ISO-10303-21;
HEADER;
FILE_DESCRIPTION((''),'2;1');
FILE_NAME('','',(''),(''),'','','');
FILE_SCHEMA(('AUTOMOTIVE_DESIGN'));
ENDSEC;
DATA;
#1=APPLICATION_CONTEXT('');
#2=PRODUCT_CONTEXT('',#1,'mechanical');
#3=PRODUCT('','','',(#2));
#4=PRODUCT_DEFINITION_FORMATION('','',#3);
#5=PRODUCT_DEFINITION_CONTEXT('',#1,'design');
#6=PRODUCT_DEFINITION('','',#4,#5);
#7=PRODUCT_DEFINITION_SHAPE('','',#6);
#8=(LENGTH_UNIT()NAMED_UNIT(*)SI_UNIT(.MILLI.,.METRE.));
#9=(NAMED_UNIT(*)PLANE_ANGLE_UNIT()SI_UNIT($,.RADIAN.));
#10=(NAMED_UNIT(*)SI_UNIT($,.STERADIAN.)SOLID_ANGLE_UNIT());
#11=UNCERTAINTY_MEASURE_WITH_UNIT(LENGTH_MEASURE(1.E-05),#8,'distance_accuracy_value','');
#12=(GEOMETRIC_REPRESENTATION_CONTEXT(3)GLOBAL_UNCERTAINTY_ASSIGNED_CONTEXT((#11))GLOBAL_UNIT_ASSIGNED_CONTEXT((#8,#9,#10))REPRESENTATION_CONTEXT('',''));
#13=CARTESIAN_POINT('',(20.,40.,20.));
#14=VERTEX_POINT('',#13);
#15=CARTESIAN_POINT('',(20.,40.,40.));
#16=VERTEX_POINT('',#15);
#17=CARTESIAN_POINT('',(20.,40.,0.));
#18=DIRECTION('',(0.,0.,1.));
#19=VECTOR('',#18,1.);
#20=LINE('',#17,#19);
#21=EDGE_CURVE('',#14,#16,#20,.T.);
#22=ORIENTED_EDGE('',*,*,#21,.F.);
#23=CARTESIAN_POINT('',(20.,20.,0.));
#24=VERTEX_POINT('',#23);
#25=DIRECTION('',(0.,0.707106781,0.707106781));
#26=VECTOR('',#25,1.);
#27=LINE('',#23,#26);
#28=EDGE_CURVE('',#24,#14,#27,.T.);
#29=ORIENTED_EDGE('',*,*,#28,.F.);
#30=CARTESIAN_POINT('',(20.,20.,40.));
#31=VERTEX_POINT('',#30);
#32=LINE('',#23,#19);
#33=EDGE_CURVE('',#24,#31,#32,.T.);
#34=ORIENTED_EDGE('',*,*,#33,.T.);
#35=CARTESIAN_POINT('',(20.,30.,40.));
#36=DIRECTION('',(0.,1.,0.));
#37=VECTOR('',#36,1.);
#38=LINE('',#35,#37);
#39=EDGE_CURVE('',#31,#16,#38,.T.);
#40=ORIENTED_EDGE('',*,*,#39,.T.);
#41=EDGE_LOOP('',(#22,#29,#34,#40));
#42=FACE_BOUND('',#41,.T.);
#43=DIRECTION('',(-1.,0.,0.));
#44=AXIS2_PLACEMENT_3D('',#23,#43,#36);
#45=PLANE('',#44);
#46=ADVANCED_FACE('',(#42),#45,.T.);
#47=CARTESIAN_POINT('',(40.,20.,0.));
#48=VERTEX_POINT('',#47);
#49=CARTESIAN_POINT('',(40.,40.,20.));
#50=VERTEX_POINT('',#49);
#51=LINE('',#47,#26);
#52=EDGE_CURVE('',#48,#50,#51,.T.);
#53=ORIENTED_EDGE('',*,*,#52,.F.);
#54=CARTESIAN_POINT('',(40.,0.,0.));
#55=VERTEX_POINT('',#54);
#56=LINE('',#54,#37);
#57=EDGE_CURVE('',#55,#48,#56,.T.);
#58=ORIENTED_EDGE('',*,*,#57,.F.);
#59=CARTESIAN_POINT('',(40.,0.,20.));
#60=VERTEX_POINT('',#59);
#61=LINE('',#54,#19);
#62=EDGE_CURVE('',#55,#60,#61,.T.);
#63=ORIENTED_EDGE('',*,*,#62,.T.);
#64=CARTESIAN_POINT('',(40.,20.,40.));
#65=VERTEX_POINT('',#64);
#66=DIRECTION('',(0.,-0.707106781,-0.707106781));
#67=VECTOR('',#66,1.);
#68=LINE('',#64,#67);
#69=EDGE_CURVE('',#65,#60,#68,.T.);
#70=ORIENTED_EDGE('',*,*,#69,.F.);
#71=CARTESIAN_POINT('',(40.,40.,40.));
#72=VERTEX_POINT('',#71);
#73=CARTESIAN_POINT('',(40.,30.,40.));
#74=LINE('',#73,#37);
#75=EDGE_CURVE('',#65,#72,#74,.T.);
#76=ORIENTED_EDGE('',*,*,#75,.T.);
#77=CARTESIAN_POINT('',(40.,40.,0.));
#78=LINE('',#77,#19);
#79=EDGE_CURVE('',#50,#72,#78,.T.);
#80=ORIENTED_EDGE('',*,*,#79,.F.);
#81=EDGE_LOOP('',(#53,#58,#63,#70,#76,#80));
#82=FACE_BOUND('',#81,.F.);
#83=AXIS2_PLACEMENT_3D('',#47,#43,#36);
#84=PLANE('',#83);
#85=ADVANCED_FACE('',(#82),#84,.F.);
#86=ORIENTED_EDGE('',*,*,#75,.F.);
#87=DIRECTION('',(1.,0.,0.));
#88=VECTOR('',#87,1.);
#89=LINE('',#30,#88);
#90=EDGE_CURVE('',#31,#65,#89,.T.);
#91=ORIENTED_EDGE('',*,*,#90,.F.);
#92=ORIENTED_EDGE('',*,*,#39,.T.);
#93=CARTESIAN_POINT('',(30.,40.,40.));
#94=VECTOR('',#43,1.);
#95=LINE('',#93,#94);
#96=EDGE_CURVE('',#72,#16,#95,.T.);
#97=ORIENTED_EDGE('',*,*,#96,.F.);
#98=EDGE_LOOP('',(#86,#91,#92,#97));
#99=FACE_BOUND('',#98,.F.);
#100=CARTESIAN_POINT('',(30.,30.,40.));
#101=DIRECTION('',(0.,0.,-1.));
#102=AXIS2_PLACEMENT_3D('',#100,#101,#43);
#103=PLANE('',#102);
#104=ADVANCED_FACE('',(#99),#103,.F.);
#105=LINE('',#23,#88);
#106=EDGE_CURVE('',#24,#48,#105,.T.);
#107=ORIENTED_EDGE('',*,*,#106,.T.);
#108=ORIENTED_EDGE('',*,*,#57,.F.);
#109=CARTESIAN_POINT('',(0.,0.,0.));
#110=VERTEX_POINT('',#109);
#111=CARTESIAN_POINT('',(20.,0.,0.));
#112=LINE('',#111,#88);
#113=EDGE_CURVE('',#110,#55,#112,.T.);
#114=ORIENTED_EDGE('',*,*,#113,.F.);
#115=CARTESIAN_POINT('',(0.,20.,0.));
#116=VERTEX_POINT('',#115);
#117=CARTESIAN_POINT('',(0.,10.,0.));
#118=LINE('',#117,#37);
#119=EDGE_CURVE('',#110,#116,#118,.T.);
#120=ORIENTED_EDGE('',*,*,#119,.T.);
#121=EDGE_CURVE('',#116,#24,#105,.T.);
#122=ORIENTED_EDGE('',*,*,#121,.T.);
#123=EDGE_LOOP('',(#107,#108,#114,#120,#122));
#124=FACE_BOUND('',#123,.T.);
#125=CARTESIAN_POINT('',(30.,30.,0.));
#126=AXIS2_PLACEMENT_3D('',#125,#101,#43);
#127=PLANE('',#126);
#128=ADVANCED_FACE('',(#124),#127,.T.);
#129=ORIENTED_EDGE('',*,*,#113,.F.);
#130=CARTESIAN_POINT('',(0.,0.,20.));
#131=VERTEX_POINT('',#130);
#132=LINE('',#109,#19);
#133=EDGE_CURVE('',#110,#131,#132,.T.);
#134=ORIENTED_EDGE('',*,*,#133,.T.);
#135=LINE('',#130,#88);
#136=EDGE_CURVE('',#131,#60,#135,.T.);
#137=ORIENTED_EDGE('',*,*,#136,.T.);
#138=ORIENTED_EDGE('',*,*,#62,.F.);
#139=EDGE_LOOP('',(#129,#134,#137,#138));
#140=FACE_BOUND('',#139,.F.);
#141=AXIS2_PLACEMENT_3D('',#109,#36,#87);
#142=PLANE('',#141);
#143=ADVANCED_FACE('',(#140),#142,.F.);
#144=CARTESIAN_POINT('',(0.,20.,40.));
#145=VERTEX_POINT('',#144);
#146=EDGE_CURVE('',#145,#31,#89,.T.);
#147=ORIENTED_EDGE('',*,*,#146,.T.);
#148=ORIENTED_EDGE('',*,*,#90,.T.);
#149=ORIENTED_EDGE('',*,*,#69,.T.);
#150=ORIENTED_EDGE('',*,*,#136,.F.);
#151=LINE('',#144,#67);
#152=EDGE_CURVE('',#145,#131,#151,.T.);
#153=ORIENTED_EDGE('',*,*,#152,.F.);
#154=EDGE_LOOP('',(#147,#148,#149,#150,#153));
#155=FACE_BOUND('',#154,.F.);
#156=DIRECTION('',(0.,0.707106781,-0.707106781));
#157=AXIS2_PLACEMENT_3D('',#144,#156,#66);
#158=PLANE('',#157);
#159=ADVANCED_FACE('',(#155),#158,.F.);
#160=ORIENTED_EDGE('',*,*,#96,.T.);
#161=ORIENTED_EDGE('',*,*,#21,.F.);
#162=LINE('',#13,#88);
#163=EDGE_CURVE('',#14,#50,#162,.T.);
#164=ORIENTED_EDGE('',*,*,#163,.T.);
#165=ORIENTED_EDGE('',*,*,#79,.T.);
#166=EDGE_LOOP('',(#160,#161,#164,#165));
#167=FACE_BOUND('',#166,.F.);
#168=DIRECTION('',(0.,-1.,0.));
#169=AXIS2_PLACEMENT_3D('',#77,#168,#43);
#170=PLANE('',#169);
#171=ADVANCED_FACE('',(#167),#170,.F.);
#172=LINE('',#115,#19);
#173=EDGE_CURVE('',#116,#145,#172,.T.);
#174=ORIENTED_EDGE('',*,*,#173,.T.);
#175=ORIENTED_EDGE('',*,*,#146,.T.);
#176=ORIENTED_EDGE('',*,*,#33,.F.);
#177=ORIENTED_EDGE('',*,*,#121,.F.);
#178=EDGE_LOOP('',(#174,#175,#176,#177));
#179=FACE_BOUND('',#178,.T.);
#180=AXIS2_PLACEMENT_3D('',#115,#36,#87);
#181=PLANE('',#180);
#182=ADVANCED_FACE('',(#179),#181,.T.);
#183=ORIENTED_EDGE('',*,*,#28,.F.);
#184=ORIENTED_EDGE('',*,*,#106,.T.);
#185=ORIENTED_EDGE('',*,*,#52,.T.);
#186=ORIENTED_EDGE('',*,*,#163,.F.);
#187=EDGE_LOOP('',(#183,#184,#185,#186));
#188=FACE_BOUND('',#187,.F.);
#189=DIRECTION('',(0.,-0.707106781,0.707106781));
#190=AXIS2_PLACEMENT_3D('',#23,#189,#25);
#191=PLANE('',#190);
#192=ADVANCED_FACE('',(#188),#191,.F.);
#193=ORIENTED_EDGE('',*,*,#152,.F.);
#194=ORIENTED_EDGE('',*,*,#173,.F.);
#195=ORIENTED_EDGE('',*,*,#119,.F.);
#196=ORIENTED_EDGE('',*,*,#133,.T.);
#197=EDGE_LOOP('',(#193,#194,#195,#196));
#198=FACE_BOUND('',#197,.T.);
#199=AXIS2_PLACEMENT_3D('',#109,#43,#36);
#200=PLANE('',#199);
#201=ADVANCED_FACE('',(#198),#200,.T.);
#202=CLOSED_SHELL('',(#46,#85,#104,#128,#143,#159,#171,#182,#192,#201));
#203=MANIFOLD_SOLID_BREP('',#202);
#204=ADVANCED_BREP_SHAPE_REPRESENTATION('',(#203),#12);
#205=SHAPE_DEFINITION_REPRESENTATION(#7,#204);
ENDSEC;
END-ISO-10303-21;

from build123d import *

# Parameters (mm, degrees)
SKETCH1_W           = 40
SKETCH1_H           = 20
BOSS_EXTRUDE1_DEPTH = 40
CUT_EXTRUDE1_DEPTH  = 40
SKETCH4_W           = 20
SKETCH4_H           = 20
BOSS_EXTRUDE3_DEPTH = 40
CUT_EXTRUDE2_DEPTH  = 40


with BuildPart() as part:
    # Sketch1 → Boss-Extrude1 (new body)
    with BuildSketch(Plane.XY):
        with Locations((20, 10)):
            Rectangle(SKETCH1_W, SKETCH1_H)
    extrude(amount=BOSS_EXTRUDE1_DEPTH)

    # Sketch2 → Cut-Extrude1 (cut)
    with BuildSketch(Plane.ZY):
        Polygon((40, 20), (20, 0), (40, 0), align=None)
    extrude(amount=-CUT_EXTRUDE1_DEPTH, mode=Mode.SUBTRACT)

    # Sketch4 → Boss-Extrude3 (add)
    with BuildSketch(Plane(origin=(0, 0, 0), x_dir=(-1, 0, 0), z_dir=(0, 0, -1))):
        with Locations((-30, 30)):
            Rectangle(SKETCH4_W, SKETCH4_H)
    extrude(amount=-BOSS_EXTRUDE3_DEPTH)

    # Sketch5 → Cut-Extrude2 (cut)
    with BuildSketch(Plane.ZY.offset(-20)):
        Polygon((0, 20), (20, 40), (0, 40), align=None)
    extrude(amount=-CUT_EXTRUDE2_DEPTH, mode=Mode.SUBTRACT)


solid = part.part
